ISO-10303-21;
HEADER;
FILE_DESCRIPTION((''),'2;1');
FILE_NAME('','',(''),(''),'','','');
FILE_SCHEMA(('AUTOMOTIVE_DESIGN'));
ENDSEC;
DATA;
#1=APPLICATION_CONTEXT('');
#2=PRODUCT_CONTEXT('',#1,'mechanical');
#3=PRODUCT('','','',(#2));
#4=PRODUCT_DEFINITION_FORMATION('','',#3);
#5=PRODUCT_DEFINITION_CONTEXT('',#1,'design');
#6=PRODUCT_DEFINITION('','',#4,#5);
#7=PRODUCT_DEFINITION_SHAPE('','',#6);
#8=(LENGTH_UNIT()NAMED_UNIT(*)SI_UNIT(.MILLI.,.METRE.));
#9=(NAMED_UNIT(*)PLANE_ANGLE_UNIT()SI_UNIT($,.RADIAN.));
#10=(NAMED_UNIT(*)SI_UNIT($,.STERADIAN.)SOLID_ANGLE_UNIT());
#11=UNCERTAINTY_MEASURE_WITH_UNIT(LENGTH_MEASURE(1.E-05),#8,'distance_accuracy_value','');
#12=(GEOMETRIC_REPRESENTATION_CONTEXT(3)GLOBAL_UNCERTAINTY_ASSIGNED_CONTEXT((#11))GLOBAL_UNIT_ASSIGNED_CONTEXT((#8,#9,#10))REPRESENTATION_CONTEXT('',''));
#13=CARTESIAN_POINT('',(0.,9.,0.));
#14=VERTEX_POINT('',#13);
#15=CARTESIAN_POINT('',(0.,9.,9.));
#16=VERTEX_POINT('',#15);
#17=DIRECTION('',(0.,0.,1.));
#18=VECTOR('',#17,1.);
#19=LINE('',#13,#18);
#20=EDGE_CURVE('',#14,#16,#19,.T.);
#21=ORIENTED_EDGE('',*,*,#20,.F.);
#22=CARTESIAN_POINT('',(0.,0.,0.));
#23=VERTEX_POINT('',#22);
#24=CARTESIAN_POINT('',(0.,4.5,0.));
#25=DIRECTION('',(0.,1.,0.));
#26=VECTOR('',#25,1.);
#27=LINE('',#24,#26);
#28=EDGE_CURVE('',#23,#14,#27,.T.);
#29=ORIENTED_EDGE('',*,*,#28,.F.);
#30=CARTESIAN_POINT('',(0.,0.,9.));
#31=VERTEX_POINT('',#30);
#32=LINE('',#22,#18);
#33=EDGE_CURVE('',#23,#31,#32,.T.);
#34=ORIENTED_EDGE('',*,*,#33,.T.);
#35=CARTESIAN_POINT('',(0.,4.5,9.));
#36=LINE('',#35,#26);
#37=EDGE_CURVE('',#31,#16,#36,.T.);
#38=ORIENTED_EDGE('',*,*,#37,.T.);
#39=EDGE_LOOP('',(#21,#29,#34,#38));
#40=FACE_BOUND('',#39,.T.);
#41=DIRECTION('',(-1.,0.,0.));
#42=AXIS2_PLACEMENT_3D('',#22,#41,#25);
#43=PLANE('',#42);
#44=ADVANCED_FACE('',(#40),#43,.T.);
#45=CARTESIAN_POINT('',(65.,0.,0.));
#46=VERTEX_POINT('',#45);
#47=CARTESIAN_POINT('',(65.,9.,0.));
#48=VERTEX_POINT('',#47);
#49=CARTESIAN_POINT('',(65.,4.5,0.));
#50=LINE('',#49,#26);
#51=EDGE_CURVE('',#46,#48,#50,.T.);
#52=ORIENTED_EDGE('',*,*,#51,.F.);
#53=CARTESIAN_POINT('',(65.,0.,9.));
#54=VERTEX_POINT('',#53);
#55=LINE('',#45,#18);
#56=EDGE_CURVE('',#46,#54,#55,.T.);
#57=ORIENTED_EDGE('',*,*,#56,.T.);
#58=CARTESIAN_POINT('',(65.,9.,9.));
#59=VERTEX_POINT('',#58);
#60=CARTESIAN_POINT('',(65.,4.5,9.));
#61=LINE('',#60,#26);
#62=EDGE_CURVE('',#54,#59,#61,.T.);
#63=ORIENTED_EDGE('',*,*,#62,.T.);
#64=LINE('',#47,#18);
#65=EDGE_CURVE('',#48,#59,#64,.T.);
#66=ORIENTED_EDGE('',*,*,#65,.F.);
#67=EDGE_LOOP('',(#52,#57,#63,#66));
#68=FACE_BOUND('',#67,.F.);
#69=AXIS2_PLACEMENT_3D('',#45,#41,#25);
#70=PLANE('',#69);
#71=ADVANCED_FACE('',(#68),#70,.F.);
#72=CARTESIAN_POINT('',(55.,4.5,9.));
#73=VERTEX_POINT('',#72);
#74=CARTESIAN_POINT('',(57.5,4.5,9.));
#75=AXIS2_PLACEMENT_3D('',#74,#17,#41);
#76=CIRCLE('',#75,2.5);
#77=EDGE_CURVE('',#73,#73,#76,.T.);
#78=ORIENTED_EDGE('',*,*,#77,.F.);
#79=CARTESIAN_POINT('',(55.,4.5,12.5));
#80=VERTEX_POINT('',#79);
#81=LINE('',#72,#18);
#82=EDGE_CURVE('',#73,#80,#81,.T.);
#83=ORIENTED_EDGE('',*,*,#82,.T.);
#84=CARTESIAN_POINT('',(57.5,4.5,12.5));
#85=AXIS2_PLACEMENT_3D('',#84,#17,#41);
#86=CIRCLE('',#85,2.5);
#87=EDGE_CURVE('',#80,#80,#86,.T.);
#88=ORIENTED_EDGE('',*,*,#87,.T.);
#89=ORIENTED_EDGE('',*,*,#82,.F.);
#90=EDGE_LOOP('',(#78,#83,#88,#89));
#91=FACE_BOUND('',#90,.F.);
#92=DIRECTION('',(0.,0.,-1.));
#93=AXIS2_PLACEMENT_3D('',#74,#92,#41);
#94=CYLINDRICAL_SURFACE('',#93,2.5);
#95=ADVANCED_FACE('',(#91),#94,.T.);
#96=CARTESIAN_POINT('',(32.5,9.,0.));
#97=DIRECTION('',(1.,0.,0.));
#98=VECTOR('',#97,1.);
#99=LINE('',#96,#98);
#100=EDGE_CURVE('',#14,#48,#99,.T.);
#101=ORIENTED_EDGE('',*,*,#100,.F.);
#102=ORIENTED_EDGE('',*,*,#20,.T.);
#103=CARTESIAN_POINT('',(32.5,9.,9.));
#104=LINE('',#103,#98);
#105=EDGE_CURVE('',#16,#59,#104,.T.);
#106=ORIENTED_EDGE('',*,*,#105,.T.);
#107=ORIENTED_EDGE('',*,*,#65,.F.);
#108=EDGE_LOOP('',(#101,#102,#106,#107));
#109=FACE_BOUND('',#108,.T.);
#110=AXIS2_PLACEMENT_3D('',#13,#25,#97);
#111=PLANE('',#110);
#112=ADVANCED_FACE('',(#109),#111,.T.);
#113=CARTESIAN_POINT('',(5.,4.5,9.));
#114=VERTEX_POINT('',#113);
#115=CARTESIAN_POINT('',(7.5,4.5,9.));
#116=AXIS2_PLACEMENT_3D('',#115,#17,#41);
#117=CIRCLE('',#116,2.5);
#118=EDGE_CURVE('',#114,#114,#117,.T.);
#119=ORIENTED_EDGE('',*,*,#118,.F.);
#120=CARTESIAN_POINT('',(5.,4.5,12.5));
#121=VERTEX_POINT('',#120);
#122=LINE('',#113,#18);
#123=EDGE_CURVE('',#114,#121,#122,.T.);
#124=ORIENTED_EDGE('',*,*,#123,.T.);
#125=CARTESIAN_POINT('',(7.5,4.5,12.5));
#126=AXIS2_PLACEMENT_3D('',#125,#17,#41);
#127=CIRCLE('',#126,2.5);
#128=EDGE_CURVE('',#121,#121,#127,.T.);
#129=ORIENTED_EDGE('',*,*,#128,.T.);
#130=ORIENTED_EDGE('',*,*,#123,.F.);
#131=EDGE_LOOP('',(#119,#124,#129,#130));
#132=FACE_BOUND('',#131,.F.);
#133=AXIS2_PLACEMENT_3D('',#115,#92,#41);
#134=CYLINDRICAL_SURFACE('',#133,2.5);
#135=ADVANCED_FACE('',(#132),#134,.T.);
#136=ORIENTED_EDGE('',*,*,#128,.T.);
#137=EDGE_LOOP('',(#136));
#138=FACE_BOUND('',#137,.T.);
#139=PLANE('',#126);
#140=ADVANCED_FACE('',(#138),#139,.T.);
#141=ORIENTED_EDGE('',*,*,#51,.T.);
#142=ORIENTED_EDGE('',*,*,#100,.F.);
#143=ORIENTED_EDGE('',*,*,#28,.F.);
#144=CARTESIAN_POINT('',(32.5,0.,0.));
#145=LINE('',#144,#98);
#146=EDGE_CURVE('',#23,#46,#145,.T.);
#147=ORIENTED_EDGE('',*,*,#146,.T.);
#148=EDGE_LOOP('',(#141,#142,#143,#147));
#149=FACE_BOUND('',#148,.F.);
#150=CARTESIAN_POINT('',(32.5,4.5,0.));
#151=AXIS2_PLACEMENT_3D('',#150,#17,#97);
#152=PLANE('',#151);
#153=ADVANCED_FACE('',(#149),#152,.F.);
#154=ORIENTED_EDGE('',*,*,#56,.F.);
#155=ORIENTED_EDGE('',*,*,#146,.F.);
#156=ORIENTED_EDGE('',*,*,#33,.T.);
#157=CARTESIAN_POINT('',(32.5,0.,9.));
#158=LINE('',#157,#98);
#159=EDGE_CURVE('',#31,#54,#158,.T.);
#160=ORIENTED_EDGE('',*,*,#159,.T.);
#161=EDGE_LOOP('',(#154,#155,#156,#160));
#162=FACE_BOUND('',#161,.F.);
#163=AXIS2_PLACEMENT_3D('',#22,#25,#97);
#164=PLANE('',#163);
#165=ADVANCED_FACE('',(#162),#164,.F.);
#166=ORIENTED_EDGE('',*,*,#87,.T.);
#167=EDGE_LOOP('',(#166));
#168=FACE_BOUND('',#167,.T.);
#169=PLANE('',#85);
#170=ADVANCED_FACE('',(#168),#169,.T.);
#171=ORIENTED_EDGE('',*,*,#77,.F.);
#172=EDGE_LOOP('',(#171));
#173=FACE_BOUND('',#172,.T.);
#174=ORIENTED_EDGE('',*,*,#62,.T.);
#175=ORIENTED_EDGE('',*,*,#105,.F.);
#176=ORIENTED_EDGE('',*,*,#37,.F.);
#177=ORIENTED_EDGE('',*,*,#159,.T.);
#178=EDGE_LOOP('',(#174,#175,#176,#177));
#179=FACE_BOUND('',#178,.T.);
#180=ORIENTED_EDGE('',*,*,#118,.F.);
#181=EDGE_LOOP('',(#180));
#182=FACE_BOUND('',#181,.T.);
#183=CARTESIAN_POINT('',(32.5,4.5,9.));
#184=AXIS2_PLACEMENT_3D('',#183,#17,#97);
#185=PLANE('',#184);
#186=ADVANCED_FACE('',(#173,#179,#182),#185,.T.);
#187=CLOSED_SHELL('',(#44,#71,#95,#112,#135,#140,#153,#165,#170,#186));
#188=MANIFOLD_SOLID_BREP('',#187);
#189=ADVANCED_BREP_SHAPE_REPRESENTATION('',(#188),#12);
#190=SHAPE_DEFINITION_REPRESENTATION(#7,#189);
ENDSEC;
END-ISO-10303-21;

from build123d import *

# Parameters (mm, degrees)
SKETCH1_W           = 65
SKETCH1_H           = 9
BOSS_EXTRUDE4_DEPTH = 9
SKETCH5_R           = 2.5
BOSS_EXTRUDE5_DEPTH = 3.5


with BuildPart() as part:
    # Sketch1 → Boss-Extrude4 (new body)
    with BuildSketch(Plane.XY):
        with Locations((32.5, 4.5)):
            Rectangle(SKETCH1_W, SKETCH1_H)
    extrude(amount=BOSS_EXTRUDE4_DEPTH)

    # Sketch5 → Boss-Extrude5 (add)
    with BuildSketch(Plane.XY.offset(9)):
        with Locations(Location((7.5, 4.5, 0), (0, 0, 180))):  # turned: the seam where the file's is
            Circle(SKETCH5_R)
        with Locations(Location((57.5, 4.5, 0), (0, 0, 180))):  # turned: the seam where the file's is
            Circle(SKETCH5_R)
    extrude(amount=BOSS_EXTRUDE5_DEPTH)


solid = part.part
